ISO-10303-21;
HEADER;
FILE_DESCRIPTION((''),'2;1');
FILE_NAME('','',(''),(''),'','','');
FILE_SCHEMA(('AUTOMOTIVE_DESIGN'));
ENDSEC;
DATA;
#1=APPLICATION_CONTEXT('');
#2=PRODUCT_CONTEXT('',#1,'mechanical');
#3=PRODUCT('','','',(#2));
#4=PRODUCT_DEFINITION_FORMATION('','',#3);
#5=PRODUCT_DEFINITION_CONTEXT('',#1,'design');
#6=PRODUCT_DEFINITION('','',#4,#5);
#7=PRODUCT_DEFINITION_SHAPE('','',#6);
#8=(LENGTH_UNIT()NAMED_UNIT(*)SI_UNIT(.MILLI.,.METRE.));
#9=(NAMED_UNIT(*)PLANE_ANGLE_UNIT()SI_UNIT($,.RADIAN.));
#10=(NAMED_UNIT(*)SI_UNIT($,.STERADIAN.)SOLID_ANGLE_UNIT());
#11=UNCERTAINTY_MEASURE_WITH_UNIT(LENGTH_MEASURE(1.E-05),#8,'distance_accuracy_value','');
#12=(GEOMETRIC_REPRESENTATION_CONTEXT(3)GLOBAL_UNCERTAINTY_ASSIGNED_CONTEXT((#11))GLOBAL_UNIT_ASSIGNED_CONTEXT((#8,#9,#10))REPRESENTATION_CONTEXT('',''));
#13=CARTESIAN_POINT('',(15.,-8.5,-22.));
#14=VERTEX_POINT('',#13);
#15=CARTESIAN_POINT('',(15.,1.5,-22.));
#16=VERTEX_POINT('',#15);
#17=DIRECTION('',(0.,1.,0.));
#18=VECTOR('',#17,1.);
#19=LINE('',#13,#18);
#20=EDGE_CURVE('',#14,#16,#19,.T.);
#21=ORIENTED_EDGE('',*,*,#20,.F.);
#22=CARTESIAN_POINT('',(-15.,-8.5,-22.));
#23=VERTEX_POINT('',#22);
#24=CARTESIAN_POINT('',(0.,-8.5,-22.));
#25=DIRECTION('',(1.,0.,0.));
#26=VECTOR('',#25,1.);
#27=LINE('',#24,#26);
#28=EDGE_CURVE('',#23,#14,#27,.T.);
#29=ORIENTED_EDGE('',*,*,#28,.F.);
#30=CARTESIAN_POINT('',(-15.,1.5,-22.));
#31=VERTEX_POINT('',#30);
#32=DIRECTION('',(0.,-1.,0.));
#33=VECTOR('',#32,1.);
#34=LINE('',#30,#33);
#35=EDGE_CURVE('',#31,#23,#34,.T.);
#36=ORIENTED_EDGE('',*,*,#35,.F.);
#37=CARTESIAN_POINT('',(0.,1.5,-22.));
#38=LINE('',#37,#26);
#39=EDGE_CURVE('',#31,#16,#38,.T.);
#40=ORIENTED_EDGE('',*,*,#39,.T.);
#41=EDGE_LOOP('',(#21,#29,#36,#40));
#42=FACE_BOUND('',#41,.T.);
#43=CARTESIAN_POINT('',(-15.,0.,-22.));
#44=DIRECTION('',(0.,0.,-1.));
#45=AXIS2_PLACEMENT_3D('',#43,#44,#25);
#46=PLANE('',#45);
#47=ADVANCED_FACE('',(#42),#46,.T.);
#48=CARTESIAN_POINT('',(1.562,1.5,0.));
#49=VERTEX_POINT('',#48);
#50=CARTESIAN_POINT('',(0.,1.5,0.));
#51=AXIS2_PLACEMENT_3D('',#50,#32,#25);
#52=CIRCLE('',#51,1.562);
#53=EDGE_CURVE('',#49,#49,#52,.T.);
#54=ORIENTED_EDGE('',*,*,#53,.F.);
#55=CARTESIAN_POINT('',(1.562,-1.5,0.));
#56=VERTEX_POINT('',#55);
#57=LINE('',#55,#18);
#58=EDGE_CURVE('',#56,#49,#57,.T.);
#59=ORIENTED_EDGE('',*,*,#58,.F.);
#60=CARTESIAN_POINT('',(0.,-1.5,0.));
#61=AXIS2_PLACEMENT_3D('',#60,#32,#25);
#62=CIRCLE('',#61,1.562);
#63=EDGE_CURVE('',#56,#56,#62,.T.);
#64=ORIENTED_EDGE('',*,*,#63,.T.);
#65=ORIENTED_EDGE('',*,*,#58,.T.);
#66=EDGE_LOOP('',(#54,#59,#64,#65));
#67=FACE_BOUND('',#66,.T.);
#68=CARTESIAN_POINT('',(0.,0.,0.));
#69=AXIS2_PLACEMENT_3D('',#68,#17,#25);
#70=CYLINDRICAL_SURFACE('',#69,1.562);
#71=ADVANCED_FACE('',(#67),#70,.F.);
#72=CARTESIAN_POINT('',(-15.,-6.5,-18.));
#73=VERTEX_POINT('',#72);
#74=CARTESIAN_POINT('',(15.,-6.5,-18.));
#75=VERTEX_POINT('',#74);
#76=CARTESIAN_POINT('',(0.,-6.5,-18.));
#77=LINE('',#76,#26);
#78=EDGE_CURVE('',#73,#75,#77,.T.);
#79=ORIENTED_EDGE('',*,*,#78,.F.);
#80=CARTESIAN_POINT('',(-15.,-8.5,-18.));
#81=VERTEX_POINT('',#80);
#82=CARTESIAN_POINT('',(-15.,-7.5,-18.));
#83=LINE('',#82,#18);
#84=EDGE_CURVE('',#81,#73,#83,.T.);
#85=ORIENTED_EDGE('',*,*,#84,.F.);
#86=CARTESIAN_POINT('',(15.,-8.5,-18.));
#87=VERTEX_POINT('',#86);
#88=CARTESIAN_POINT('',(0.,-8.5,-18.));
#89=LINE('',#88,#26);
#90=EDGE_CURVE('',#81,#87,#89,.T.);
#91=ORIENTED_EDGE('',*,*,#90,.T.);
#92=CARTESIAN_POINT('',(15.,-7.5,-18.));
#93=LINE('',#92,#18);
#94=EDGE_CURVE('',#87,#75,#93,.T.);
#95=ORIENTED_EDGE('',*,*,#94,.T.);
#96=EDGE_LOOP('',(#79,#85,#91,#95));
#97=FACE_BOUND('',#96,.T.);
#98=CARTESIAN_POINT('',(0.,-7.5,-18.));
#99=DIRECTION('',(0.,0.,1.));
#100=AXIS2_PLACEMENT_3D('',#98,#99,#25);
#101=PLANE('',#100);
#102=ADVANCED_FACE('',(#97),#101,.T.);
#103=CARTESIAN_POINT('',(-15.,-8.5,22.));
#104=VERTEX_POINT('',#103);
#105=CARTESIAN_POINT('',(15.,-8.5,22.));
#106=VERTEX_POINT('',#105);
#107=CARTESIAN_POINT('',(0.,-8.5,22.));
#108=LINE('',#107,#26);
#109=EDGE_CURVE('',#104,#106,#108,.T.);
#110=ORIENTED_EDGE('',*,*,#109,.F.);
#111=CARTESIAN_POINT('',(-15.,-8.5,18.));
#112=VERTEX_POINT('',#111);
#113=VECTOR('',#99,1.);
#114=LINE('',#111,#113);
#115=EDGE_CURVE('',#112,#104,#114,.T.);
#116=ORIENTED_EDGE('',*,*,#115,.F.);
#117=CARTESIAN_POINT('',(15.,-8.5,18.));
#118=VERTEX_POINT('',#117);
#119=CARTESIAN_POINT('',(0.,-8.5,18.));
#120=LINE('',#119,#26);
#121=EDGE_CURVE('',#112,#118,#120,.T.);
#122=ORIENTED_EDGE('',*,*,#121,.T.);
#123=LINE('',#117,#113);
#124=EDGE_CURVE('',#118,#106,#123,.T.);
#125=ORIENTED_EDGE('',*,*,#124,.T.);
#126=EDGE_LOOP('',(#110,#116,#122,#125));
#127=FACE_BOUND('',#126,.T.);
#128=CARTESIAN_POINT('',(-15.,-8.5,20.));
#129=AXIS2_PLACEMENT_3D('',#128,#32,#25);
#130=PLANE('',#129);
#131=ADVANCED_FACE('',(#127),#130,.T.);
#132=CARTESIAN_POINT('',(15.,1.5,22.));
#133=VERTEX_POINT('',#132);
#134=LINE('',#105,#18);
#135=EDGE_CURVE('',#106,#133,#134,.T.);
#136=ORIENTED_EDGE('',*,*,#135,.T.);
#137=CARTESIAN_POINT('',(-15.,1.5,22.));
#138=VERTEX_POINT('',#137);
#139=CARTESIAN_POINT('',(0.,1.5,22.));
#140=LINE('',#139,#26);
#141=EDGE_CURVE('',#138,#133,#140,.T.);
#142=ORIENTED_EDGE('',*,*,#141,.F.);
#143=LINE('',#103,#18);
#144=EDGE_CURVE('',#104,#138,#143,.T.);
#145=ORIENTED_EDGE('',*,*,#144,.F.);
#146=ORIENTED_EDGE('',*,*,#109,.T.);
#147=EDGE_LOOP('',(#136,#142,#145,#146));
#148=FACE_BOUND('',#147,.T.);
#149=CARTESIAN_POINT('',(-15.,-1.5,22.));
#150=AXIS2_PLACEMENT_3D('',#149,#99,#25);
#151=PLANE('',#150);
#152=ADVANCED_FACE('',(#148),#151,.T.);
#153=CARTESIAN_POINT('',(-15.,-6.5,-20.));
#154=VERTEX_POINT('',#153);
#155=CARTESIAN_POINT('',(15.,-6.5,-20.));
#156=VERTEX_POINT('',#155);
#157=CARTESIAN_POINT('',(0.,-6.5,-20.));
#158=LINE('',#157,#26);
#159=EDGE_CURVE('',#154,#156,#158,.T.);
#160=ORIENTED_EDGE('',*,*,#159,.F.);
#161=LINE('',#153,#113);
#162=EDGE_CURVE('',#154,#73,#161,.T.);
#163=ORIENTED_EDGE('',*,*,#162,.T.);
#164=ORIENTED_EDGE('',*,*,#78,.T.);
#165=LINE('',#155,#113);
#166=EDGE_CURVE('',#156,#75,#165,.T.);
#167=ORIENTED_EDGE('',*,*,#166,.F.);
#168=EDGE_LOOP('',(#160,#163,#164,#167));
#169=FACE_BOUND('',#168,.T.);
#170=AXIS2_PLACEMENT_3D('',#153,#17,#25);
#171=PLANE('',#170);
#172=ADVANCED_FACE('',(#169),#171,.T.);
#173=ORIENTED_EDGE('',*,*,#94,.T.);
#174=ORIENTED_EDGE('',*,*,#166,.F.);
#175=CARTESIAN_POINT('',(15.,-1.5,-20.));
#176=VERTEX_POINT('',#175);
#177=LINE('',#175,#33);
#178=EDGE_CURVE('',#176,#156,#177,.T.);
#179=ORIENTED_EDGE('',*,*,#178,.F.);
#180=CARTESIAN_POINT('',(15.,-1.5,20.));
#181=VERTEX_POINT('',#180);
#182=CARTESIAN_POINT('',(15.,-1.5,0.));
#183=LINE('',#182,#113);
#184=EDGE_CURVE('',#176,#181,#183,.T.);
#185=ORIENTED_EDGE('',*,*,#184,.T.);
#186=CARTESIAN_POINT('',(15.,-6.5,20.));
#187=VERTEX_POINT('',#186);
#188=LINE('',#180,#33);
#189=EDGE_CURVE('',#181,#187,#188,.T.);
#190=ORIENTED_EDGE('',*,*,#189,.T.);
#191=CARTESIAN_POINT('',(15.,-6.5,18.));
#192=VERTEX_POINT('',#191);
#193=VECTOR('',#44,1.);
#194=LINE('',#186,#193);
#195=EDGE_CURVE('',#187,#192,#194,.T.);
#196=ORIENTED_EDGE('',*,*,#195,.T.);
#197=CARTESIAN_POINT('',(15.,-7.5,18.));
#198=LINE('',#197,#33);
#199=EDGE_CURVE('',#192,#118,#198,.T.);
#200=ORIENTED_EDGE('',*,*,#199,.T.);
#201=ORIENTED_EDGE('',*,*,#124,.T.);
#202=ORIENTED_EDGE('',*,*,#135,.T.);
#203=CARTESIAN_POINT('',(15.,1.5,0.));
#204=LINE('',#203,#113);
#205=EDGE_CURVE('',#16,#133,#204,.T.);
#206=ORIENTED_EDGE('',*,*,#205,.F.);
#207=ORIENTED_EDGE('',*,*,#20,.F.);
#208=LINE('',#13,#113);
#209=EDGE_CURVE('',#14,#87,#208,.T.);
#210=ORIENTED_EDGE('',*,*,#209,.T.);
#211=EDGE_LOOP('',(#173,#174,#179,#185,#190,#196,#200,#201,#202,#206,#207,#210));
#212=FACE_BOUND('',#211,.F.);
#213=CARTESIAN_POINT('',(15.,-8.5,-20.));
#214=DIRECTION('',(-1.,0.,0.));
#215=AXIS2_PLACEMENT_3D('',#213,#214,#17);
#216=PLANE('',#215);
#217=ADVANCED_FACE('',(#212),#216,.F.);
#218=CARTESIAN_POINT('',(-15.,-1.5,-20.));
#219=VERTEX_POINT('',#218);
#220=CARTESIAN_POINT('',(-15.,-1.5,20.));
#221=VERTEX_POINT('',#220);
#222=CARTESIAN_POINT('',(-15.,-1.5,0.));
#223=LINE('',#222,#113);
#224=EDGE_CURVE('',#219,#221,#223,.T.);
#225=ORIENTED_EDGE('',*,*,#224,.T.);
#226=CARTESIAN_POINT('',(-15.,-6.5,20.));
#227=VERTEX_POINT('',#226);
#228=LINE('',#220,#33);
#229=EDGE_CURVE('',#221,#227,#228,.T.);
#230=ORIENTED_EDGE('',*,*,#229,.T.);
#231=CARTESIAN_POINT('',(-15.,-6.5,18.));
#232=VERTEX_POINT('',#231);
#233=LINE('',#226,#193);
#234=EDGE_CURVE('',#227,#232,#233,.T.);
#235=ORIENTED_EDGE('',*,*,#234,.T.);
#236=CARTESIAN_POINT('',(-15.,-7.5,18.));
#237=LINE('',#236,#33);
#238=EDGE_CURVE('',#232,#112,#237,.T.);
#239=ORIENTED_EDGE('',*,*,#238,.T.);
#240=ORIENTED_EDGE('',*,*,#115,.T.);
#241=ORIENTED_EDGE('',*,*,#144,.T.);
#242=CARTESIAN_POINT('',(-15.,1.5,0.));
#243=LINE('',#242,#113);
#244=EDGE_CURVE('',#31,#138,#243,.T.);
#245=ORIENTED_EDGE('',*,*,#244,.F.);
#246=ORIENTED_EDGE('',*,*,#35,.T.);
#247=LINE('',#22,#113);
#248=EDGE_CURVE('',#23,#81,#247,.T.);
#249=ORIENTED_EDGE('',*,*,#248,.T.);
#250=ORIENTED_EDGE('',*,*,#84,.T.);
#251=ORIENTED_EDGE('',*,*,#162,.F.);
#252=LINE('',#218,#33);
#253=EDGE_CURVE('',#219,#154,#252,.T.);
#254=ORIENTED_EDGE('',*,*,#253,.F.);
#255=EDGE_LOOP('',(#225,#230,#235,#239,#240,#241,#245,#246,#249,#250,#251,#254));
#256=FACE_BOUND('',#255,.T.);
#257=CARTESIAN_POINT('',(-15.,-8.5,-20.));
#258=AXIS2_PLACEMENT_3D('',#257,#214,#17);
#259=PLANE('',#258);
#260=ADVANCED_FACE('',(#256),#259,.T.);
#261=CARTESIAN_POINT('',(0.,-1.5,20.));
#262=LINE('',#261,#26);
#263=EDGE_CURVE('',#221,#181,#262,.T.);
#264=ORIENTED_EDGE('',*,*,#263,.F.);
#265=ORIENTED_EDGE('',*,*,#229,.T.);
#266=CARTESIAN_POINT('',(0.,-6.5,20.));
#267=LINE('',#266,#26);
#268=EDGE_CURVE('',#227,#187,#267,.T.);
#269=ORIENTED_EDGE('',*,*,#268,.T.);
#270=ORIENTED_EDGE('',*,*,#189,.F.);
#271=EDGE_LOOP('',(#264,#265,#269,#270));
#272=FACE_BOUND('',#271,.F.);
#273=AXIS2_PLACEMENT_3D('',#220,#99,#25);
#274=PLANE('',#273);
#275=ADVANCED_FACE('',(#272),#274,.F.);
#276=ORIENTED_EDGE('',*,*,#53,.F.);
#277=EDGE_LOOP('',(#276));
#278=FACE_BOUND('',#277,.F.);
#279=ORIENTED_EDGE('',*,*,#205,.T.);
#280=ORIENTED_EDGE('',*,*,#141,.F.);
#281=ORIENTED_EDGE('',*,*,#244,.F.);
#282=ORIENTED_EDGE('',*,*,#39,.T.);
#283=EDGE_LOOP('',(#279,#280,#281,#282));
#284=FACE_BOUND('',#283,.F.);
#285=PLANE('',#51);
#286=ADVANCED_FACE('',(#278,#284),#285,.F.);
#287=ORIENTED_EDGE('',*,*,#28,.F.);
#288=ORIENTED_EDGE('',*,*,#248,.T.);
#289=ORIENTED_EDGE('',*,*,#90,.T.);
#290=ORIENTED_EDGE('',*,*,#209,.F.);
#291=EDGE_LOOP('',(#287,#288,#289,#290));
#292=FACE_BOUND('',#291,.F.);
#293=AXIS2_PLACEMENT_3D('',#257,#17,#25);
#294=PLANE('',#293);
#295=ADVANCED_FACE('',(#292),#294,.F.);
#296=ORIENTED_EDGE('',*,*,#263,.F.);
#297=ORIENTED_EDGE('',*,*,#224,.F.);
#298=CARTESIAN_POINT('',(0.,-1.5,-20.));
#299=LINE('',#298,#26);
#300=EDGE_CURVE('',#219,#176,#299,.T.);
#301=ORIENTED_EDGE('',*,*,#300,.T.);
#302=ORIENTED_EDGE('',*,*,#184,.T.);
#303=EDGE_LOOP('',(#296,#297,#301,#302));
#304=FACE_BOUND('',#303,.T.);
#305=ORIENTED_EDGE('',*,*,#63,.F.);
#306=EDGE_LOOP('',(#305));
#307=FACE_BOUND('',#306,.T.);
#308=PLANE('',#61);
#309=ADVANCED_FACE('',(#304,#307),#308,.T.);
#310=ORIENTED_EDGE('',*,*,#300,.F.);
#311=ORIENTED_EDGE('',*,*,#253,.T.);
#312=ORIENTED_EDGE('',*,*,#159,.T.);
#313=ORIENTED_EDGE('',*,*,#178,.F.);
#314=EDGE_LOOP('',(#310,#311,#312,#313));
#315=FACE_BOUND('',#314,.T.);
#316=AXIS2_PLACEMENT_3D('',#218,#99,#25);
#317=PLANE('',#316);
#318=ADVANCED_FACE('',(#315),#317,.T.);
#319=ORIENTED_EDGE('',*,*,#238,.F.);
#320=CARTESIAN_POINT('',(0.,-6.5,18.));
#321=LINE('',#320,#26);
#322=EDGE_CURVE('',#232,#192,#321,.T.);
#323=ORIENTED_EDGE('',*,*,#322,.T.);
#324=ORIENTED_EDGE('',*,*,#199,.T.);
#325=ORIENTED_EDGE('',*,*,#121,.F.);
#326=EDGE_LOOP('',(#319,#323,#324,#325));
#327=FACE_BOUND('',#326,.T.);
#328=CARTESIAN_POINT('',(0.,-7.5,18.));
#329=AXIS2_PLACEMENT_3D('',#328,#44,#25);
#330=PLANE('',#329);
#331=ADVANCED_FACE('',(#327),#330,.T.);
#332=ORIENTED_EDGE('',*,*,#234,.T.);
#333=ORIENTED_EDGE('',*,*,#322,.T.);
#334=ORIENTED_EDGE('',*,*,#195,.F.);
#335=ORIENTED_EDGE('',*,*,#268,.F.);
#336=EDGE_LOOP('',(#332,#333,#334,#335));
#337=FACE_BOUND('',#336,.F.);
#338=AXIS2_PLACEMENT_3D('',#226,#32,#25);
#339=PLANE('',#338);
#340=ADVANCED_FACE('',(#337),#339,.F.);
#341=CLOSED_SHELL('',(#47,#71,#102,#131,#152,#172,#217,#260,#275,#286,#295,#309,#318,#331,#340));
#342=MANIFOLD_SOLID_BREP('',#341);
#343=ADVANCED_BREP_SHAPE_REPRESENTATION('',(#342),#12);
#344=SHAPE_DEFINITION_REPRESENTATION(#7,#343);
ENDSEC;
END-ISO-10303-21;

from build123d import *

# Parameters (mm, degrees)
F0_W     = 30
F0_H     = 44
F0_R     = 1.562
F1_DEPTH = 1.5
F2_W     = 30
F2_H     = 2
F3_DEPTH = 7
F4_W     = 30
F4_H     = 2
F5_DEPTH = 2
F6_W     = 30
F6_H     = 2
F7_DEPTH = 2


with BuildPart() as f1:
    # F0 (on Front) → F1 (new body, symmetric)
    with BuildSketch(Plane.XZ):
        Rectangle(F0_W, F0_H)
        Circle(F0_R, mode=Mode.SUBTRACT)
    extrude(amount=F1_DEPTH, both=True)

    # F2 (on face) → F3 (join)
    with BuildSketch(Plane.XZ.offset(1.5)):
        with Locations((0, 21)):
            Rectangle(F2_W, F2_H)
        with Locations((0, -21)):
            Rectangle(F2_W, F2_H)
    extrude(amount=F3_DEPTH)

    # F4 (on face) → F5 (join)
    with BuildSketch(Plane(origin=(0, 0, 20), x_dir=(1, 0, 0), z_dir=(0, 0, -1))):
        with Locations((0, 7.5)):
            Rectangle(F4_W, F4_H)
    extrude(amount=F5_DEPTH)

    # F6 (on face) → F7 (join)
    with BuildSketch(Plane.XY.offset(-20)):
        with Locations((0, -7.5)):
            Rectangle(F6_W, F6_H)
    extrude(amount=F7_DEPTH)


solid = f1.part
